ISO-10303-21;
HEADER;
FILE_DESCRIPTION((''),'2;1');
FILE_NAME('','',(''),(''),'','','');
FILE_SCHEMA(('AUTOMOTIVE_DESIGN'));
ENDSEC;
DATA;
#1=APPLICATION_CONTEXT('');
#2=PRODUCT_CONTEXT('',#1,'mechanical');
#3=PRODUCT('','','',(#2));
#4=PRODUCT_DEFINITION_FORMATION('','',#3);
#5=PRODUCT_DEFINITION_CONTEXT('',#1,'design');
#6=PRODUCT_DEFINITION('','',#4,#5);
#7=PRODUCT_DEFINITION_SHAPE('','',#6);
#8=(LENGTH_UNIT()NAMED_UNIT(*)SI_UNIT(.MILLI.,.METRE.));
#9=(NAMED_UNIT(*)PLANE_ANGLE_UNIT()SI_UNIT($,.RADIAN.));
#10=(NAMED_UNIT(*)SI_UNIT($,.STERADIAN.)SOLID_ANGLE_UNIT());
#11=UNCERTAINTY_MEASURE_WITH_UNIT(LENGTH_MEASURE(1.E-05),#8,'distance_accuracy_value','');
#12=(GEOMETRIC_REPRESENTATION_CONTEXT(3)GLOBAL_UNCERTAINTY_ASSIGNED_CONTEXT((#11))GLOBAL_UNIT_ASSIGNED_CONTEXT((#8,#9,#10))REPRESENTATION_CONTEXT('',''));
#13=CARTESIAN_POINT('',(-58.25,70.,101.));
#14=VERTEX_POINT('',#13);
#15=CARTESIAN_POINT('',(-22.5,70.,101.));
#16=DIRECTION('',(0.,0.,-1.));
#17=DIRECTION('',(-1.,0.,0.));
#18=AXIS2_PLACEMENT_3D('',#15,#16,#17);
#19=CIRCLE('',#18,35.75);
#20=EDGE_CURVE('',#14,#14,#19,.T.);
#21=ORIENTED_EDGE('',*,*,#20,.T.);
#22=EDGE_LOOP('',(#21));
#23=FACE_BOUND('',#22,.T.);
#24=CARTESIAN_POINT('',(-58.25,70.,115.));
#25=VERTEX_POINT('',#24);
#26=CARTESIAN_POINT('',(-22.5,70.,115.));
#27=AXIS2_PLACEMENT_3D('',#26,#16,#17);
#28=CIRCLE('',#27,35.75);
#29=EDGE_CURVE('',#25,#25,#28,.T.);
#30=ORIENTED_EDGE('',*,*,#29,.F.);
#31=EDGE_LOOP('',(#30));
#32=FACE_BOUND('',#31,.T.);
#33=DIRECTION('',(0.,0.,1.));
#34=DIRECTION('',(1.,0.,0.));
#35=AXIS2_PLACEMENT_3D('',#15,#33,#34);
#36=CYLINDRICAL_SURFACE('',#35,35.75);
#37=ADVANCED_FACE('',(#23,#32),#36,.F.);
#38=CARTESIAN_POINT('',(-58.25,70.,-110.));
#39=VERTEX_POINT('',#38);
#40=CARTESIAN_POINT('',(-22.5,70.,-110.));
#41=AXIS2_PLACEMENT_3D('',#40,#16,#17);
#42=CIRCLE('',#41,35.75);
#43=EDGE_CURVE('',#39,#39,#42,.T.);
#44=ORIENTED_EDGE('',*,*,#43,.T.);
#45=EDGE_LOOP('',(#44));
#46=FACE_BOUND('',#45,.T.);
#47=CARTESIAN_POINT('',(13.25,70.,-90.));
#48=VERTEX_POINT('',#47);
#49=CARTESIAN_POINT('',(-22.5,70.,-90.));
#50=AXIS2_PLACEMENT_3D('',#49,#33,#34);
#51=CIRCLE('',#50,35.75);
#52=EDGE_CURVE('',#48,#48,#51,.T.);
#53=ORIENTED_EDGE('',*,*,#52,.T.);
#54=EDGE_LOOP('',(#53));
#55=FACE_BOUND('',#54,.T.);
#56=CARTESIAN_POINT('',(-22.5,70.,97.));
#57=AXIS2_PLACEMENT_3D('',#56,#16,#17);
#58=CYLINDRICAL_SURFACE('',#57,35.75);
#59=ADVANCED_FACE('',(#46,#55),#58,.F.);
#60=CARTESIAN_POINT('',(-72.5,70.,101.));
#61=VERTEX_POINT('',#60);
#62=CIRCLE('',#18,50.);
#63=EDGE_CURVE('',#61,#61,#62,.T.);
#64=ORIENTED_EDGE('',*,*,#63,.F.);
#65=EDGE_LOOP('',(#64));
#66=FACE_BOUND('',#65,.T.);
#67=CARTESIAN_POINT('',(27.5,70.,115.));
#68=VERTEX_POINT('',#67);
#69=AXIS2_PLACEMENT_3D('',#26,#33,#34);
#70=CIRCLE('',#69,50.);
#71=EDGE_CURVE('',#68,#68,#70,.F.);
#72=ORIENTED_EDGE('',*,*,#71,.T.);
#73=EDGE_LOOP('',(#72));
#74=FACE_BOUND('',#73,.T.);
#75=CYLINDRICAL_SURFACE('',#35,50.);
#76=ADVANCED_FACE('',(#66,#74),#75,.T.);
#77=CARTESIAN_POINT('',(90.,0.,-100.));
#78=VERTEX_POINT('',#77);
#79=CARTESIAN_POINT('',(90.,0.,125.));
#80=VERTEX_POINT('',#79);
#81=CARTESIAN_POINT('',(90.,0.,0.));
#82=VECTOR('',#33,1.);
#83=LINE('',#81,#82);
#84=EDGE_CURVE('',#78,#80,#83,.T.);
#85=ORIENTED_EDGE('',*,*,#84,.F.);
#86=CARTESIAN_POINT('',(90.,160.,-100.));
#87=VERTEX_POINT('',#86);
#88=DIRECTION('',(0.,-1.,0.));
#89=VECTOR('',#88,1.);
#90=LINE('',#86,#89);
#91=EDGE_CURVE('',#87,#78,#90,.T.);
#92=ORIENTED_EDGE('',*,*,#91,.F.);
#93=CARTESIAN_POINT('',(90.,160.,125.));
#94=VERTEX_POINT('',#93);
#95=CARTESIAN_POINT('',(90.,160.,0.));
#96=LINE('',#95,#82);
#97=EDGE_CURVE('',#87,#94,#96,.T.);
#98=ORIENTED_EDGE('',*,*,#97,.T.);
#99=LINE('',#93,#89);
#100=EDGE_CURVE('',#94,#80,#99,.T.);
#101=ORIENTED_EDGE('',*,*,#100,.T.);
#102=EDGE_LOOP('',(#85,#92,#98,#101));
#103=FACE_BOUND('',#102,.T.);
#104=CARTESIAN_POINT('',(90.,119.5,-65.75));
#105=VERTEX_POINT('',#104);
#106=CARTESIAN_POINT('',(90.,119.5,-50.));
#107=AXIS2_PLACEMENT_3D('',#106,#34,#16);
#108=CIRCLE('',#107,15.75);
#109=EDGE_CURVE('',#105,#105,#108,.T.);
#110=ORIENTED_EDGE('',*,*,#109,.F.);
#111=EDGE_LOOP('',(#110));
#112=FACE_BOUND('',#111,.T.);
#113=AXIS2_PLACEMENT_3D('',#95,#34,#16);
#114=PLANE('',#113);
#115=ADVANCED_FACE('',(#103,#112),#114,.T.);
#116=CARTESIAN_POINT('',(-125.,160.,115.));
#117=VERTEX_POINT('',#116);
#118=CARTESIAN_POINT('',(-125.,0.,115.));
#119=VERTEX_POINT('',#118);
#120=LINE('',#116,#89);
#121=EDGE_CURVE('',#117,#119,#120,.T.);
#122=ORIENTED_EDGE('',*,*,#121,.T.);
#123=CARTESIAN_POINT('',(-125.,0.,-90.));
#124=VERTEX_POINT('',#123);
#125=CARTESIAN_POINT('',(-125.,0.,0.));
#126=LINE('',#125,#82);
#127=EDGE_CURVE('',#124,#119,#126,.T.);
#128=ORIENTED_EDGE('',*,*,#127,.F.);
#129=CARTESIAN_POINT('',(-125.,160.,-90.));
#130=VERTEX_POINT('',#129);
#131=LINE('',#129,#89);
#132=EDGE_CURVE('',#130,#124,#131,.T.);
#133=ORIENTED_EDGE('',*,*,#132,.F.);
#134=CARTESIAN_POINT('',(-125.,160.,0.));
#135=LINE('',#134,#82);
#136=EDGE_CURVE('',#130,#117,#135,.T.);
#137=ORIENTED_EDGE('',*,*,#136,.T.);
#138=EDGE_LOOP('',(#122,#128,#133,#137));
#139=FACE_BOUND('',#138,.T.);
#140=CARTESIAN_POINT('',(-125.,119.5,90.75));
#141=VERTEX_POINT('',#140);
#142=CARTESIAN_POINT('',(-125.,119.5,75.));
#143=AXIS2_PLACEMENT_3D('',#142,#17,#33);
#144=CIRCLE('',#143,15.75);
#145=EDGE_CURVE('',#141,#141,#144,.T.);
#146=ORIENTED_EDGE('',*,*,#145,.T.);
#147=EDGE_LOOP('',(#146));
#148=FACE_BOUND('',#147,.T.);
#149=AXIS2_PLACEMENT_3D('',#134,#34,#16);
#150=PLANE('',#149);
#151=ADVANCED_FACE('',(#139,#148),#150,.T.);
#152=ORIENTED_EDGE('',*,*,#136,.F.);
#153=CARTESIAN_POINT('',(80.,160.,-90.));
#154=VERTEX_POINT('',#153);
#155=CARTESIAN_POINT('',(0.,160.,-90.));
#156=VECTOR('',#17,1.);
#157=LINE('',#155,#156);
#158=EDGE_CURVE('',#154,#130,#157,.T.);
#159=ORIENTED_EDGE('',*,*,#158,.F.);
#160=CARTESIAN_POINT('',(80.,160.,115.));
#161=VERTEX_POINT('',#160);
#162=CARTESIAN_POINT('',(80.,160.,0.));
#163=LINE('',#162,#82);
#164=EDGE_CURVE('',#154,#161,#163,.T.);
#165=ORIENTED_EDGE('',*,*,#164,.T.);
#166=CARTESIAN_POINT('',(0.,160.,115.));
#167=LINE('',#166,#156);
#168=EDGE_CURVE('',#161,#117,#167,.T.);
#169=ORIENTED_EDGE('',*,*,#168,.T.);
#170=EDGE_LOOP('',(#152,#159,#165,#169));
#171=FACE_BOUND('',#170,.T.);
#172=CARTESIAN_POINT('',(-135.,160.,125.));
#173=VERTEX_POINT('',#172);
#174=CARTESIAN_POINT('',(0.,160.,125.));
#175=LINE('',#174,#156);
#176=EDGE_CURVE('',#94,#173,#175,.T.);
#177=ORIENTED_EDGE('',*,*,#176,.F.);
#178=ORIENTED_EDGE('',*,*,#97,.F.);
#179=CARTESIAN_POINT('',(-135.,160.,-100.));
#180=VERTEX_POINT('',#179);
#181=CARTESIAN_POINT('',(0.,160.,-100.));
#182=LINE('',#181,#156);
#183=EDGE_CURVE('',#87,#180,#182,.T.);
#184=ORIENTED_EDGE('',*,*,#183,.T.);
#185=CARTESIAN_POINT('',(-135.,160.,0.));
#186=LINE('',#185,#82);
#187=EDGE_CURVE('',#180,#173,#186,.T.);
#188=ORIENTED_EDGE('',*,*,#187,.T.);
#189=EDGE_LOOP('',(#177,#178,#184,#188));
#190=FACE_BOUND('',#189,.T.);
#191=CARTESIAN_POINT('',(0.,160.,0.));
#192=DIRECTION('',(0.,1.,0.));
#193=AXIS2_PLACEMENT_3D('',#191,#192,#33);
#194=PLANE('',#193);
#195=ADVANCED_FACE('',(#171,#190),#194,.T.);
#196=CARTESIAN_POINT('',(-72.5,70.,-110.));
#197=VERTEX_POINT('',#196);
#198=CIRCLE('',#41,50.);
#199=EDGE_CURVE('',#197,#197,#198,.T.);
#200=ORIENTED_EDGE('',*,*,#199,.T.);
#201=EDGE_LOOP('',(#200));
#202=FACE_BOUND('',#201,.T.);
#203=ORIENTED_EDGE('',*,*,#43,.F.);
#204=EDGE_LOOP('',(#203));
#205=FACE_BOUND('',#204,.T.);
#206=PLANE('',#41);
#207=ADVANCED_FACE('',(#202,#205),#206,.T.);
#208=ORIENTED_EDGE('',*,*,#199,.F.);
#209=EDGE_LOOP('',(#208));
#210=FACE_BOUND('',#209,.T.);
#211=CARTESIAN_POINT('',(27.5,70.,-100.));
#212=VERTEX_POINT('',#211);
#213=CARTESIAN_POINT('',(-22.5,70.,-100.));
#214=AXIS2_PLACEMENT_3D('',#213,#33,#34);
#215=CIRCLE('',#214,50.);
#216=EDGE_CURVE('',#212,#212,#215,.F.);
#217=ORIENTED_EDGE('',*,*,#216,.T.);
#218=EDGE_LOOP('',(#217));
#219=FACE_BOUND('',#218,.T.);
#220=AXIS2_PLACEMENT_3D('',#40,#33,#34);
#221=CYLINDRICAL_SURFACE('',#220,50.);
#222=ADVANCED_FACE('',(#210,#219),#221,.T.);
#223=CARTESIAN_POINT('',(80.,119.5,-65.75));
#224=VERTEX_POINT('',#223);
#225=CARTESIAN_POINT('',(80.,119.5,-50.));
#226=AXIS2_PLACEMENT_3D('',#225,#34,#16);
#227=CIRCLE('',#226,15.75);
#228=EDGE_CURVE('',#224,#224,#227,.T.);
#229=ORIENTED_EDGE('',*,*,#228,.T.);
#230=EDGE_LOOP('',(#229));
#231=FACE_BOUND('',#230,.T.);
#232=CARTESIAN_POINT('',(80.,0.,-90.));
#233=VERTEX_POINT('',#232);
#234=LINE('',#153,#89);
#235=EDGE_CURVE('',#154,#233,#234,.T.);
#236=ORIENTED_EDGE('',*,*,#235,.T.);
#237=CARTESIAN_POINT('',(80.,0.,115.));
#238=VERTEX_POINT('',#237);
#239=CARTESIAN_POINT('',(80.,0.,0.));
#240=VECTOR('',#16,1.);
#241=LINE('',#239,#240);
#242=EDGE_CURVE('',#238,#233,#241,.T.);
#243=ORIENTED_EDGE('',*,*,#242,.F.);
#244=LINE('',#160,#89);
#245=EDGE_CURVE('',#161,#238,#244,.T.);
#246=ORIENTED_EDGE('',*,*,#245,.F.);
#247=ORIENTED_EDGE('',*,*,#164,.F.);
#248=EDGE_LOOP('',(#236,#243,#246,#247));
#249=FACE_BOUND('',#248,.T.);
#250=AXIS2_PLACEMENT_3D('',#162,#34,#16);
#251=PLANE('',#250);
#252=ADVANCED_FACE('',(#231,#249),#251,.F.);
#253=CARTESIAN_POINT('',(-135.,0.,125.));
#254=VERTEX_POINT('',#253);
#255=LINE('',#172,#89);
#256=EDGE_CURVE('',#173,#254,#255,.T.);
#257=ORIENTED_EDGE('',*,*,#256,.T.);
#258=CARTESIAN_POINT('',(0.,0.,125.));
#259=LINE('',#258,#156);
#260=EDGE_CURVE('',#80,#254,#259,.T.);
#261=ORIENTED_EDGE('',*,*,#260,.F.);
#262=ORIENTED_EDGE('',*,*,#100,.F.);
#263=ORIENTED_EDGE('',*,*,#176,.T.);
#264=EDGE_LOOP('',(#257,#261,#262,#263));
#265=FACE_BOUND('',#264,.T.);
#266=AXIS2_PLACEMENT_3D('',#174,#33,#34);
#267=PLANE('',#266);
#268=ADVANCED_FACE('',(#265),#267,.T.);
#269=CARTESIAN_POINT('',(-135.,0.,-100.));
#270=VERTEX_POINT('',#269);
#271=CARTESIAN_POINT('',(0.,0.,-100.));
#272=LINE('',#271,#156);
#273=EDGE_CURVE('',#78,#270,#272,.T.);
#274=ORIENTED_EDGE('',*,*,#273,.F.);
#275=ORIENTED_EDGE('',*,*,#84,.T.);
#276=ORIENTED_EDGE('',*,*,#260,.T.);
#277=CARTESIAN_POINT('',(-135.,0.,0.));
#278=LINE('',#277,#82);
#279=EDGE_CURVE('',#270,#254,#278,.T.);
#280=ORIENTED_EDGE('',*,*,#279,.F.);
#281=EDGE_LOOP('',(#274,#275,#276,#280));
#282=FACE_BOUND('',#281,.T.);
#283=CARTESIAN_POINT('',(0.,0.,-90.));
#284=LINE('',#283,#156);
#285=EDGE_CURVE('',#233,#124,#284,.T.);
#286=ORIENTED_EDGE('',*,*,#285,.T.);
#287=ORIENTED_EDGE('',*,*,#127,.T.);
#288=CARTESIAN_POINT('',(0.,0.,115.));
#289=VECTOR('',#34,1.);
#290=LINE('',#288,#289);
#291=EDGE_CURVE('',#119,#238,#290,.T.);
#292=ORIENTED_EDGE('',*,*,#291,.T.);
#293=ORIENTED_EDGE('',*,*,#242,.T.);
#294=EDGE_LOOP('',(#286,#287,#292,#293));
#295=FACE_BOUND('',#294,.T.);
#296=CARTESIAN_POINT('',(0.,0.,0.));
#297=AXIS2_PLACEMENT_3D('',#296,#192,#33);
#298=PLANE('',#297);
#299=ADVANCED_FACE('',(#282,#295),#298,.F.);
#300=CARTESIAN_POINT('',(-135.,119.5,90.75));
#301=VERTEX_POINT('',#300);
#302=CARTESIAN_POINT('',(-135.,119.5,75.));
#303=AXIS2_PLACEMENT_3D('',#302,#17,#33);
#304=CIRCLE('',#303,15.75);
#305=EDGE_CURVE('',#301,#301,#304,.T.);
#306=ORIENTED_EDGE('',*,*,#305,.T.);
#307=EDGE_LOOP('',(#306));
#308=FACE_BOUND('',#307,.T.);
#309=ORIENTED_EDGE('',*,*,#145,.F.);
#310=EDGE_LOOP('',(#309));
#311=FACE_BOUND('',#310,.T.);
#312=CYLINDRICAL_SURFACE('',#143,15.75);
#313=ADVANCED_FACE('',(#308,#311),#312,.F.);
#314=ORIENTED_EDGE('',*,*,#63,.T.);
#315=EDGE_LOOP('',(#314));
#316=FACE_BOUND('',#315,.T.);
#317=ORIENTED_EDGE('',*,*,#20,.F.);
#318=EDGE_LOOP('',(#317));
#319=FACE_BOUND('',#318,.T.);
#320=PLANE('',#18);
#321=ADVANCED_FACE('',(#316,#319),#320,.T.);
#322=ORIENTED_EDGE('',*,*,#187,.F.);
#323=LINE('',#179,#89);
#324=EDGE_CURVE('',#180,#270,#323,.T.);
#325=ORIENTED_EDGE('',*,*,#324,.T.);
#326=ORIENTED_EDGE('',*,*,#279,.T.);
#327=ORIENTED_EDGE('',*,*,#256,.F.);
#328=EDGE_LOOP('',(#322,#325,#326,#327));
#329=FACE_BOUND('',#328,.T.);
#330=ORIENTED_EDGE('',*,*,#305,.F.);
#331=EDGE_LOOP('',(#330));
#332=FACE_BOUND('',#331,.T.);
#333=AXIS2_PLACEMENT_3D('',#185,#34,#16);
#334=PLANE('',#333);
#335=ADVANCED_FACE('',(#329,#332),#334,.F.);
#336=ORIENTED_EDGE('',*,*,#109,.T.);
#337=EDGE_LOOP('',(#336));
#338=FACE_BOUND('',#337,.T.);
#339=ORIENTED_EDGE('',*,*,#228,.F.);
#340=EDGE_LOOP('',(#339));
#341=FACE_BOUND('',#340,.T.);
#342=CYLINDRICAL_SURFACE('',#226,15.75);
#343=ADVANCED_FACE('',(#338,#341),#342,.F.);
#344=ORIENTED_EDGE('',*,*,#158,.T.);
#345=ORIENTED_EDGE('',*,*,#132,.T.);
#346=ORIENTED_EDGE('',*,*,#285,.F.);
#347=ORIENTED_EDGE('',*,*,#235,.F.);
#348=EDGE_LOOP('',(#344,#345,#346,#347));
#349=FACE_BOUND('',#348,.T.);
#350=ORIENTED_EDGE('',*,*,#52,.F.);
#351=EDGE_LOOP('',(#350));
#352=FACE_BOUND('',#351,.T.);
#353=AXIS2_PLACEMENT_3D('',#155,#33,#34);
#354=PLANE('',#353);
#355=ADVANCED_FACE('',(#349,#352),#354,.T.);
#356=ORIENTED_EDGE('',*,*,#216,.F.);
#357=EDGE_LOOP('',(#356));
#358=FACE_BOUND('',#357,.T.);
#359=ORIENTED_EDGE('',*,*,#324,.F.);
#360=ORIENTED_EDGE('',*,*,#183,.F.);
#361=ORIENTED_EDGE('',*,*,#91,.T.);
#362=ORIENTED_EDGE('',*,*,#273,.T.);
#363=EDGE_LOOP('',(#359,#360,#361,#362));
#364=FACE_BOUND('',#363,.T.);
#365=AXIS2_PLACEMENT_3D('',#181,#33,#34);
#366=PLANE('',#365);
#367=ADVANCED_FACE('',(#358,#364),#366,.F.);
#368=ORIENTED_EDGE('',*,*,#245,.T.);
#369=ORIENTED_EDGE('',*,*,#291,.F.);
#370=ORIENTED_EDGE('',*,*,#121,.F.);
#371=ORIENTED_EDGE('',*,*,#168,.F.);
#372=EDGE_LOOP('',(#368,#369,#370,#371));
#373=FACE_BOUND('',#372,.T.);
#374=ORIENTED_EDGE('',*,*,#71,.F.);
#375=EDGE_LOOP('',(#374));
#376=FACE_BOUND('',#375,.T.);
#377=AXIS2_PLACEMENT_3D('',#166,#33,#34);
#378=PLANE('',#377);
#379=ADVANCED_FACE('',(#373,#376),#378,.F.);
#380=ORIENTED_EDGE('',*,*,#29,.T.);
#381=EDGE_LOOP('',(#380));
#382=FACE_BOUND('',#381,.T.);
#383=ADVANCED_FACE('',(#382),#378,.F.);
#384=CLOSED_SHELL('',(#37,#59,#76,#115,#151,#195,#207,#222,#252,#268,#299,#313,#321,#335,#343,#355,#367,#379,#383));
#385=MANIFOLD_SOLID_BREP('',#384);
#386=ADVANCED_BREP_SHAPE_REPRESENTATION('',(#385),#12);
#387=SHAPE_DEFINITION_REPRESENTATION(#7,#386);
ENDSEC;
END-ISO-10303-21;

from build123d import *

# Parameters (mm, degrees)
SKETCH1_W           = 225
SKETCH1_H           = 225
SKETCH1_W_2         = 205
SKETCH1_H_2         = 205
WALLS_DEPTH         = 160
SKETCH1_5_W         = 205
SKETCH1_5_H         = 205
BOSS_EXTRUDE2_DEPTH = 7
SKETCH2_R           = 35.75
CUT_EXTRUDE1_DEPTH  = 197
BOSS_EXTRUDE3_START = 14
SKETCH6_R           = 50
SKETCH6_R_2         = 35.75
BOSS_EXTRUDE3_DEPTH = 14
BOSS_EXTRUDE4_START = 10
SKETCH7_R           = 50
SKETCH7_R_2         = 35.75
BOSS_EXTRUDE4_DEPTH = 10
SKETCH9_W           = 205
SKETCH9_H           = 205
CUT_EXTRUDE4_DEPTH  = 10
SKETCH10_R          = 15.75
CUT_EXTRUDE6_DEPTH  = 10
SKETCH11_R          = 15.75
CUT_EXTRUDE7_DEPTH  = 10


with BuildPart() as part:
    # Sketch1 → Walls (new body)
    with BuildSketch(Plane(origin=(0, 0, 0), x_dir=(1, 0, 0), z_dir=(0, 1, 0))):
        with Locations((-22.5, -12.5)):
            Rectangle(SKETCH1_W, SKETCH1_H)
        with Locations((-22.5, -12.5)):
            Rectangle(SKETCH1_W_2, SKETCH1_H_2, mode=Mode.SUBTRACT)
    extrude(amount=WALLS_DEPTH)

    # Sketch1<5> → Boss-Extrude2 (add)
    with BuildSketch(Plane(origin=(0, 0, 0), x_dir=(1, 0, 0), z_dir=(0, 1, 0))):
        with Locations((-22.5, -12.5)):
            Rectangle(SKETCH1_5_W, SKETCH1_5_H)
    extrude(amount=BOSS_EXTRUDE2_DEPTH)

    # Sketch2 → Cut-Extrude1 (cut)
    with BuildSketch(Plane(origin=(0, 0, -100), x_dir=(-1, 0, 0), z_dir=(0, 0, -1))):
        with Locations((22.5, 70)):
            Circle(SKETCH2_R)
    extrude(amount=-CUT_EXTRUDE1_DEPTH, mode=Mode.SUBTRACT)

    # Sketch6 → Boss-Extrude3 (add)
    with BuildSketch(Plane(origin=(0, 0, 115), x_dir=(-1, 0, 0), z_dir=(0, 0, -1)).offset(BOSS_EXTRUDE3_START)):
        with Locations((22.5, 70)):
            Circle(SKETCH6_R)
        with Locations((22.5, 70)):
            Circle(SKETCH6_R_2, mode=Mode.SUBTRACT)
    extrude(amount=-BOSS_EXTRUDE3_DEPTH)

    # Sketch7 → Boss-Extrude4 (add)
    with BuildSketch(Plane(origin=(0, 0, -100), x_dir=(-1, 0, 0), z_dir=(0, 0, -1)).offset(BOSS_EXTRUDE4_START)):
        with Locations((22.5, 70)):
            Circle(SKETCH7_R)
        with Locations((22.5, 70)):
            Circle(SKETCH7_R_2, mode=Mode.SUBTRACT)
    extrude(amount=-BOSS_EXTRUDE4_DEPTH)

    # Sketch9 → Cut-Extrude4 (cut)
    with BuildSketch(Plane(origin=(0, 7, 0), x_dir=(1, 0, 0), z_dir=(0, 1, 0))):
        with Locations((-22.5, -12.5)):
            Rectangle(SKETCH9_W, SKETCH9_H)
    extrude(amount=-CUT_EXTRUDE4_DEPTH, mode=Mode.SUBTRACT)

    # Sketch10 → Cut-Extrude6 (cut)
    with BuildSketch(Plane.ZY.offset(135)):
        with Locations((75, 119.5)):
            Circle(SKETCH10_R)
    extrude(amount=-CUT_EXTRUDE6_DEPTH, mode=Mode.SUBTRACT)

    # Sketch11 → Cut-Extrude7 (cut)
    with BuildSketch(Plane(origin=(90, 0, 0), x_dir=(0, 0, -1), z_dir=(1, 0, 0))):
        with Locations((50, 119.5)):
            Circle(SKETCH11_R)
    extrude(amount=-CUT_EXTRUDE7_DEPTH, mode=Mode.SUBTRACT)


solid = part.part
